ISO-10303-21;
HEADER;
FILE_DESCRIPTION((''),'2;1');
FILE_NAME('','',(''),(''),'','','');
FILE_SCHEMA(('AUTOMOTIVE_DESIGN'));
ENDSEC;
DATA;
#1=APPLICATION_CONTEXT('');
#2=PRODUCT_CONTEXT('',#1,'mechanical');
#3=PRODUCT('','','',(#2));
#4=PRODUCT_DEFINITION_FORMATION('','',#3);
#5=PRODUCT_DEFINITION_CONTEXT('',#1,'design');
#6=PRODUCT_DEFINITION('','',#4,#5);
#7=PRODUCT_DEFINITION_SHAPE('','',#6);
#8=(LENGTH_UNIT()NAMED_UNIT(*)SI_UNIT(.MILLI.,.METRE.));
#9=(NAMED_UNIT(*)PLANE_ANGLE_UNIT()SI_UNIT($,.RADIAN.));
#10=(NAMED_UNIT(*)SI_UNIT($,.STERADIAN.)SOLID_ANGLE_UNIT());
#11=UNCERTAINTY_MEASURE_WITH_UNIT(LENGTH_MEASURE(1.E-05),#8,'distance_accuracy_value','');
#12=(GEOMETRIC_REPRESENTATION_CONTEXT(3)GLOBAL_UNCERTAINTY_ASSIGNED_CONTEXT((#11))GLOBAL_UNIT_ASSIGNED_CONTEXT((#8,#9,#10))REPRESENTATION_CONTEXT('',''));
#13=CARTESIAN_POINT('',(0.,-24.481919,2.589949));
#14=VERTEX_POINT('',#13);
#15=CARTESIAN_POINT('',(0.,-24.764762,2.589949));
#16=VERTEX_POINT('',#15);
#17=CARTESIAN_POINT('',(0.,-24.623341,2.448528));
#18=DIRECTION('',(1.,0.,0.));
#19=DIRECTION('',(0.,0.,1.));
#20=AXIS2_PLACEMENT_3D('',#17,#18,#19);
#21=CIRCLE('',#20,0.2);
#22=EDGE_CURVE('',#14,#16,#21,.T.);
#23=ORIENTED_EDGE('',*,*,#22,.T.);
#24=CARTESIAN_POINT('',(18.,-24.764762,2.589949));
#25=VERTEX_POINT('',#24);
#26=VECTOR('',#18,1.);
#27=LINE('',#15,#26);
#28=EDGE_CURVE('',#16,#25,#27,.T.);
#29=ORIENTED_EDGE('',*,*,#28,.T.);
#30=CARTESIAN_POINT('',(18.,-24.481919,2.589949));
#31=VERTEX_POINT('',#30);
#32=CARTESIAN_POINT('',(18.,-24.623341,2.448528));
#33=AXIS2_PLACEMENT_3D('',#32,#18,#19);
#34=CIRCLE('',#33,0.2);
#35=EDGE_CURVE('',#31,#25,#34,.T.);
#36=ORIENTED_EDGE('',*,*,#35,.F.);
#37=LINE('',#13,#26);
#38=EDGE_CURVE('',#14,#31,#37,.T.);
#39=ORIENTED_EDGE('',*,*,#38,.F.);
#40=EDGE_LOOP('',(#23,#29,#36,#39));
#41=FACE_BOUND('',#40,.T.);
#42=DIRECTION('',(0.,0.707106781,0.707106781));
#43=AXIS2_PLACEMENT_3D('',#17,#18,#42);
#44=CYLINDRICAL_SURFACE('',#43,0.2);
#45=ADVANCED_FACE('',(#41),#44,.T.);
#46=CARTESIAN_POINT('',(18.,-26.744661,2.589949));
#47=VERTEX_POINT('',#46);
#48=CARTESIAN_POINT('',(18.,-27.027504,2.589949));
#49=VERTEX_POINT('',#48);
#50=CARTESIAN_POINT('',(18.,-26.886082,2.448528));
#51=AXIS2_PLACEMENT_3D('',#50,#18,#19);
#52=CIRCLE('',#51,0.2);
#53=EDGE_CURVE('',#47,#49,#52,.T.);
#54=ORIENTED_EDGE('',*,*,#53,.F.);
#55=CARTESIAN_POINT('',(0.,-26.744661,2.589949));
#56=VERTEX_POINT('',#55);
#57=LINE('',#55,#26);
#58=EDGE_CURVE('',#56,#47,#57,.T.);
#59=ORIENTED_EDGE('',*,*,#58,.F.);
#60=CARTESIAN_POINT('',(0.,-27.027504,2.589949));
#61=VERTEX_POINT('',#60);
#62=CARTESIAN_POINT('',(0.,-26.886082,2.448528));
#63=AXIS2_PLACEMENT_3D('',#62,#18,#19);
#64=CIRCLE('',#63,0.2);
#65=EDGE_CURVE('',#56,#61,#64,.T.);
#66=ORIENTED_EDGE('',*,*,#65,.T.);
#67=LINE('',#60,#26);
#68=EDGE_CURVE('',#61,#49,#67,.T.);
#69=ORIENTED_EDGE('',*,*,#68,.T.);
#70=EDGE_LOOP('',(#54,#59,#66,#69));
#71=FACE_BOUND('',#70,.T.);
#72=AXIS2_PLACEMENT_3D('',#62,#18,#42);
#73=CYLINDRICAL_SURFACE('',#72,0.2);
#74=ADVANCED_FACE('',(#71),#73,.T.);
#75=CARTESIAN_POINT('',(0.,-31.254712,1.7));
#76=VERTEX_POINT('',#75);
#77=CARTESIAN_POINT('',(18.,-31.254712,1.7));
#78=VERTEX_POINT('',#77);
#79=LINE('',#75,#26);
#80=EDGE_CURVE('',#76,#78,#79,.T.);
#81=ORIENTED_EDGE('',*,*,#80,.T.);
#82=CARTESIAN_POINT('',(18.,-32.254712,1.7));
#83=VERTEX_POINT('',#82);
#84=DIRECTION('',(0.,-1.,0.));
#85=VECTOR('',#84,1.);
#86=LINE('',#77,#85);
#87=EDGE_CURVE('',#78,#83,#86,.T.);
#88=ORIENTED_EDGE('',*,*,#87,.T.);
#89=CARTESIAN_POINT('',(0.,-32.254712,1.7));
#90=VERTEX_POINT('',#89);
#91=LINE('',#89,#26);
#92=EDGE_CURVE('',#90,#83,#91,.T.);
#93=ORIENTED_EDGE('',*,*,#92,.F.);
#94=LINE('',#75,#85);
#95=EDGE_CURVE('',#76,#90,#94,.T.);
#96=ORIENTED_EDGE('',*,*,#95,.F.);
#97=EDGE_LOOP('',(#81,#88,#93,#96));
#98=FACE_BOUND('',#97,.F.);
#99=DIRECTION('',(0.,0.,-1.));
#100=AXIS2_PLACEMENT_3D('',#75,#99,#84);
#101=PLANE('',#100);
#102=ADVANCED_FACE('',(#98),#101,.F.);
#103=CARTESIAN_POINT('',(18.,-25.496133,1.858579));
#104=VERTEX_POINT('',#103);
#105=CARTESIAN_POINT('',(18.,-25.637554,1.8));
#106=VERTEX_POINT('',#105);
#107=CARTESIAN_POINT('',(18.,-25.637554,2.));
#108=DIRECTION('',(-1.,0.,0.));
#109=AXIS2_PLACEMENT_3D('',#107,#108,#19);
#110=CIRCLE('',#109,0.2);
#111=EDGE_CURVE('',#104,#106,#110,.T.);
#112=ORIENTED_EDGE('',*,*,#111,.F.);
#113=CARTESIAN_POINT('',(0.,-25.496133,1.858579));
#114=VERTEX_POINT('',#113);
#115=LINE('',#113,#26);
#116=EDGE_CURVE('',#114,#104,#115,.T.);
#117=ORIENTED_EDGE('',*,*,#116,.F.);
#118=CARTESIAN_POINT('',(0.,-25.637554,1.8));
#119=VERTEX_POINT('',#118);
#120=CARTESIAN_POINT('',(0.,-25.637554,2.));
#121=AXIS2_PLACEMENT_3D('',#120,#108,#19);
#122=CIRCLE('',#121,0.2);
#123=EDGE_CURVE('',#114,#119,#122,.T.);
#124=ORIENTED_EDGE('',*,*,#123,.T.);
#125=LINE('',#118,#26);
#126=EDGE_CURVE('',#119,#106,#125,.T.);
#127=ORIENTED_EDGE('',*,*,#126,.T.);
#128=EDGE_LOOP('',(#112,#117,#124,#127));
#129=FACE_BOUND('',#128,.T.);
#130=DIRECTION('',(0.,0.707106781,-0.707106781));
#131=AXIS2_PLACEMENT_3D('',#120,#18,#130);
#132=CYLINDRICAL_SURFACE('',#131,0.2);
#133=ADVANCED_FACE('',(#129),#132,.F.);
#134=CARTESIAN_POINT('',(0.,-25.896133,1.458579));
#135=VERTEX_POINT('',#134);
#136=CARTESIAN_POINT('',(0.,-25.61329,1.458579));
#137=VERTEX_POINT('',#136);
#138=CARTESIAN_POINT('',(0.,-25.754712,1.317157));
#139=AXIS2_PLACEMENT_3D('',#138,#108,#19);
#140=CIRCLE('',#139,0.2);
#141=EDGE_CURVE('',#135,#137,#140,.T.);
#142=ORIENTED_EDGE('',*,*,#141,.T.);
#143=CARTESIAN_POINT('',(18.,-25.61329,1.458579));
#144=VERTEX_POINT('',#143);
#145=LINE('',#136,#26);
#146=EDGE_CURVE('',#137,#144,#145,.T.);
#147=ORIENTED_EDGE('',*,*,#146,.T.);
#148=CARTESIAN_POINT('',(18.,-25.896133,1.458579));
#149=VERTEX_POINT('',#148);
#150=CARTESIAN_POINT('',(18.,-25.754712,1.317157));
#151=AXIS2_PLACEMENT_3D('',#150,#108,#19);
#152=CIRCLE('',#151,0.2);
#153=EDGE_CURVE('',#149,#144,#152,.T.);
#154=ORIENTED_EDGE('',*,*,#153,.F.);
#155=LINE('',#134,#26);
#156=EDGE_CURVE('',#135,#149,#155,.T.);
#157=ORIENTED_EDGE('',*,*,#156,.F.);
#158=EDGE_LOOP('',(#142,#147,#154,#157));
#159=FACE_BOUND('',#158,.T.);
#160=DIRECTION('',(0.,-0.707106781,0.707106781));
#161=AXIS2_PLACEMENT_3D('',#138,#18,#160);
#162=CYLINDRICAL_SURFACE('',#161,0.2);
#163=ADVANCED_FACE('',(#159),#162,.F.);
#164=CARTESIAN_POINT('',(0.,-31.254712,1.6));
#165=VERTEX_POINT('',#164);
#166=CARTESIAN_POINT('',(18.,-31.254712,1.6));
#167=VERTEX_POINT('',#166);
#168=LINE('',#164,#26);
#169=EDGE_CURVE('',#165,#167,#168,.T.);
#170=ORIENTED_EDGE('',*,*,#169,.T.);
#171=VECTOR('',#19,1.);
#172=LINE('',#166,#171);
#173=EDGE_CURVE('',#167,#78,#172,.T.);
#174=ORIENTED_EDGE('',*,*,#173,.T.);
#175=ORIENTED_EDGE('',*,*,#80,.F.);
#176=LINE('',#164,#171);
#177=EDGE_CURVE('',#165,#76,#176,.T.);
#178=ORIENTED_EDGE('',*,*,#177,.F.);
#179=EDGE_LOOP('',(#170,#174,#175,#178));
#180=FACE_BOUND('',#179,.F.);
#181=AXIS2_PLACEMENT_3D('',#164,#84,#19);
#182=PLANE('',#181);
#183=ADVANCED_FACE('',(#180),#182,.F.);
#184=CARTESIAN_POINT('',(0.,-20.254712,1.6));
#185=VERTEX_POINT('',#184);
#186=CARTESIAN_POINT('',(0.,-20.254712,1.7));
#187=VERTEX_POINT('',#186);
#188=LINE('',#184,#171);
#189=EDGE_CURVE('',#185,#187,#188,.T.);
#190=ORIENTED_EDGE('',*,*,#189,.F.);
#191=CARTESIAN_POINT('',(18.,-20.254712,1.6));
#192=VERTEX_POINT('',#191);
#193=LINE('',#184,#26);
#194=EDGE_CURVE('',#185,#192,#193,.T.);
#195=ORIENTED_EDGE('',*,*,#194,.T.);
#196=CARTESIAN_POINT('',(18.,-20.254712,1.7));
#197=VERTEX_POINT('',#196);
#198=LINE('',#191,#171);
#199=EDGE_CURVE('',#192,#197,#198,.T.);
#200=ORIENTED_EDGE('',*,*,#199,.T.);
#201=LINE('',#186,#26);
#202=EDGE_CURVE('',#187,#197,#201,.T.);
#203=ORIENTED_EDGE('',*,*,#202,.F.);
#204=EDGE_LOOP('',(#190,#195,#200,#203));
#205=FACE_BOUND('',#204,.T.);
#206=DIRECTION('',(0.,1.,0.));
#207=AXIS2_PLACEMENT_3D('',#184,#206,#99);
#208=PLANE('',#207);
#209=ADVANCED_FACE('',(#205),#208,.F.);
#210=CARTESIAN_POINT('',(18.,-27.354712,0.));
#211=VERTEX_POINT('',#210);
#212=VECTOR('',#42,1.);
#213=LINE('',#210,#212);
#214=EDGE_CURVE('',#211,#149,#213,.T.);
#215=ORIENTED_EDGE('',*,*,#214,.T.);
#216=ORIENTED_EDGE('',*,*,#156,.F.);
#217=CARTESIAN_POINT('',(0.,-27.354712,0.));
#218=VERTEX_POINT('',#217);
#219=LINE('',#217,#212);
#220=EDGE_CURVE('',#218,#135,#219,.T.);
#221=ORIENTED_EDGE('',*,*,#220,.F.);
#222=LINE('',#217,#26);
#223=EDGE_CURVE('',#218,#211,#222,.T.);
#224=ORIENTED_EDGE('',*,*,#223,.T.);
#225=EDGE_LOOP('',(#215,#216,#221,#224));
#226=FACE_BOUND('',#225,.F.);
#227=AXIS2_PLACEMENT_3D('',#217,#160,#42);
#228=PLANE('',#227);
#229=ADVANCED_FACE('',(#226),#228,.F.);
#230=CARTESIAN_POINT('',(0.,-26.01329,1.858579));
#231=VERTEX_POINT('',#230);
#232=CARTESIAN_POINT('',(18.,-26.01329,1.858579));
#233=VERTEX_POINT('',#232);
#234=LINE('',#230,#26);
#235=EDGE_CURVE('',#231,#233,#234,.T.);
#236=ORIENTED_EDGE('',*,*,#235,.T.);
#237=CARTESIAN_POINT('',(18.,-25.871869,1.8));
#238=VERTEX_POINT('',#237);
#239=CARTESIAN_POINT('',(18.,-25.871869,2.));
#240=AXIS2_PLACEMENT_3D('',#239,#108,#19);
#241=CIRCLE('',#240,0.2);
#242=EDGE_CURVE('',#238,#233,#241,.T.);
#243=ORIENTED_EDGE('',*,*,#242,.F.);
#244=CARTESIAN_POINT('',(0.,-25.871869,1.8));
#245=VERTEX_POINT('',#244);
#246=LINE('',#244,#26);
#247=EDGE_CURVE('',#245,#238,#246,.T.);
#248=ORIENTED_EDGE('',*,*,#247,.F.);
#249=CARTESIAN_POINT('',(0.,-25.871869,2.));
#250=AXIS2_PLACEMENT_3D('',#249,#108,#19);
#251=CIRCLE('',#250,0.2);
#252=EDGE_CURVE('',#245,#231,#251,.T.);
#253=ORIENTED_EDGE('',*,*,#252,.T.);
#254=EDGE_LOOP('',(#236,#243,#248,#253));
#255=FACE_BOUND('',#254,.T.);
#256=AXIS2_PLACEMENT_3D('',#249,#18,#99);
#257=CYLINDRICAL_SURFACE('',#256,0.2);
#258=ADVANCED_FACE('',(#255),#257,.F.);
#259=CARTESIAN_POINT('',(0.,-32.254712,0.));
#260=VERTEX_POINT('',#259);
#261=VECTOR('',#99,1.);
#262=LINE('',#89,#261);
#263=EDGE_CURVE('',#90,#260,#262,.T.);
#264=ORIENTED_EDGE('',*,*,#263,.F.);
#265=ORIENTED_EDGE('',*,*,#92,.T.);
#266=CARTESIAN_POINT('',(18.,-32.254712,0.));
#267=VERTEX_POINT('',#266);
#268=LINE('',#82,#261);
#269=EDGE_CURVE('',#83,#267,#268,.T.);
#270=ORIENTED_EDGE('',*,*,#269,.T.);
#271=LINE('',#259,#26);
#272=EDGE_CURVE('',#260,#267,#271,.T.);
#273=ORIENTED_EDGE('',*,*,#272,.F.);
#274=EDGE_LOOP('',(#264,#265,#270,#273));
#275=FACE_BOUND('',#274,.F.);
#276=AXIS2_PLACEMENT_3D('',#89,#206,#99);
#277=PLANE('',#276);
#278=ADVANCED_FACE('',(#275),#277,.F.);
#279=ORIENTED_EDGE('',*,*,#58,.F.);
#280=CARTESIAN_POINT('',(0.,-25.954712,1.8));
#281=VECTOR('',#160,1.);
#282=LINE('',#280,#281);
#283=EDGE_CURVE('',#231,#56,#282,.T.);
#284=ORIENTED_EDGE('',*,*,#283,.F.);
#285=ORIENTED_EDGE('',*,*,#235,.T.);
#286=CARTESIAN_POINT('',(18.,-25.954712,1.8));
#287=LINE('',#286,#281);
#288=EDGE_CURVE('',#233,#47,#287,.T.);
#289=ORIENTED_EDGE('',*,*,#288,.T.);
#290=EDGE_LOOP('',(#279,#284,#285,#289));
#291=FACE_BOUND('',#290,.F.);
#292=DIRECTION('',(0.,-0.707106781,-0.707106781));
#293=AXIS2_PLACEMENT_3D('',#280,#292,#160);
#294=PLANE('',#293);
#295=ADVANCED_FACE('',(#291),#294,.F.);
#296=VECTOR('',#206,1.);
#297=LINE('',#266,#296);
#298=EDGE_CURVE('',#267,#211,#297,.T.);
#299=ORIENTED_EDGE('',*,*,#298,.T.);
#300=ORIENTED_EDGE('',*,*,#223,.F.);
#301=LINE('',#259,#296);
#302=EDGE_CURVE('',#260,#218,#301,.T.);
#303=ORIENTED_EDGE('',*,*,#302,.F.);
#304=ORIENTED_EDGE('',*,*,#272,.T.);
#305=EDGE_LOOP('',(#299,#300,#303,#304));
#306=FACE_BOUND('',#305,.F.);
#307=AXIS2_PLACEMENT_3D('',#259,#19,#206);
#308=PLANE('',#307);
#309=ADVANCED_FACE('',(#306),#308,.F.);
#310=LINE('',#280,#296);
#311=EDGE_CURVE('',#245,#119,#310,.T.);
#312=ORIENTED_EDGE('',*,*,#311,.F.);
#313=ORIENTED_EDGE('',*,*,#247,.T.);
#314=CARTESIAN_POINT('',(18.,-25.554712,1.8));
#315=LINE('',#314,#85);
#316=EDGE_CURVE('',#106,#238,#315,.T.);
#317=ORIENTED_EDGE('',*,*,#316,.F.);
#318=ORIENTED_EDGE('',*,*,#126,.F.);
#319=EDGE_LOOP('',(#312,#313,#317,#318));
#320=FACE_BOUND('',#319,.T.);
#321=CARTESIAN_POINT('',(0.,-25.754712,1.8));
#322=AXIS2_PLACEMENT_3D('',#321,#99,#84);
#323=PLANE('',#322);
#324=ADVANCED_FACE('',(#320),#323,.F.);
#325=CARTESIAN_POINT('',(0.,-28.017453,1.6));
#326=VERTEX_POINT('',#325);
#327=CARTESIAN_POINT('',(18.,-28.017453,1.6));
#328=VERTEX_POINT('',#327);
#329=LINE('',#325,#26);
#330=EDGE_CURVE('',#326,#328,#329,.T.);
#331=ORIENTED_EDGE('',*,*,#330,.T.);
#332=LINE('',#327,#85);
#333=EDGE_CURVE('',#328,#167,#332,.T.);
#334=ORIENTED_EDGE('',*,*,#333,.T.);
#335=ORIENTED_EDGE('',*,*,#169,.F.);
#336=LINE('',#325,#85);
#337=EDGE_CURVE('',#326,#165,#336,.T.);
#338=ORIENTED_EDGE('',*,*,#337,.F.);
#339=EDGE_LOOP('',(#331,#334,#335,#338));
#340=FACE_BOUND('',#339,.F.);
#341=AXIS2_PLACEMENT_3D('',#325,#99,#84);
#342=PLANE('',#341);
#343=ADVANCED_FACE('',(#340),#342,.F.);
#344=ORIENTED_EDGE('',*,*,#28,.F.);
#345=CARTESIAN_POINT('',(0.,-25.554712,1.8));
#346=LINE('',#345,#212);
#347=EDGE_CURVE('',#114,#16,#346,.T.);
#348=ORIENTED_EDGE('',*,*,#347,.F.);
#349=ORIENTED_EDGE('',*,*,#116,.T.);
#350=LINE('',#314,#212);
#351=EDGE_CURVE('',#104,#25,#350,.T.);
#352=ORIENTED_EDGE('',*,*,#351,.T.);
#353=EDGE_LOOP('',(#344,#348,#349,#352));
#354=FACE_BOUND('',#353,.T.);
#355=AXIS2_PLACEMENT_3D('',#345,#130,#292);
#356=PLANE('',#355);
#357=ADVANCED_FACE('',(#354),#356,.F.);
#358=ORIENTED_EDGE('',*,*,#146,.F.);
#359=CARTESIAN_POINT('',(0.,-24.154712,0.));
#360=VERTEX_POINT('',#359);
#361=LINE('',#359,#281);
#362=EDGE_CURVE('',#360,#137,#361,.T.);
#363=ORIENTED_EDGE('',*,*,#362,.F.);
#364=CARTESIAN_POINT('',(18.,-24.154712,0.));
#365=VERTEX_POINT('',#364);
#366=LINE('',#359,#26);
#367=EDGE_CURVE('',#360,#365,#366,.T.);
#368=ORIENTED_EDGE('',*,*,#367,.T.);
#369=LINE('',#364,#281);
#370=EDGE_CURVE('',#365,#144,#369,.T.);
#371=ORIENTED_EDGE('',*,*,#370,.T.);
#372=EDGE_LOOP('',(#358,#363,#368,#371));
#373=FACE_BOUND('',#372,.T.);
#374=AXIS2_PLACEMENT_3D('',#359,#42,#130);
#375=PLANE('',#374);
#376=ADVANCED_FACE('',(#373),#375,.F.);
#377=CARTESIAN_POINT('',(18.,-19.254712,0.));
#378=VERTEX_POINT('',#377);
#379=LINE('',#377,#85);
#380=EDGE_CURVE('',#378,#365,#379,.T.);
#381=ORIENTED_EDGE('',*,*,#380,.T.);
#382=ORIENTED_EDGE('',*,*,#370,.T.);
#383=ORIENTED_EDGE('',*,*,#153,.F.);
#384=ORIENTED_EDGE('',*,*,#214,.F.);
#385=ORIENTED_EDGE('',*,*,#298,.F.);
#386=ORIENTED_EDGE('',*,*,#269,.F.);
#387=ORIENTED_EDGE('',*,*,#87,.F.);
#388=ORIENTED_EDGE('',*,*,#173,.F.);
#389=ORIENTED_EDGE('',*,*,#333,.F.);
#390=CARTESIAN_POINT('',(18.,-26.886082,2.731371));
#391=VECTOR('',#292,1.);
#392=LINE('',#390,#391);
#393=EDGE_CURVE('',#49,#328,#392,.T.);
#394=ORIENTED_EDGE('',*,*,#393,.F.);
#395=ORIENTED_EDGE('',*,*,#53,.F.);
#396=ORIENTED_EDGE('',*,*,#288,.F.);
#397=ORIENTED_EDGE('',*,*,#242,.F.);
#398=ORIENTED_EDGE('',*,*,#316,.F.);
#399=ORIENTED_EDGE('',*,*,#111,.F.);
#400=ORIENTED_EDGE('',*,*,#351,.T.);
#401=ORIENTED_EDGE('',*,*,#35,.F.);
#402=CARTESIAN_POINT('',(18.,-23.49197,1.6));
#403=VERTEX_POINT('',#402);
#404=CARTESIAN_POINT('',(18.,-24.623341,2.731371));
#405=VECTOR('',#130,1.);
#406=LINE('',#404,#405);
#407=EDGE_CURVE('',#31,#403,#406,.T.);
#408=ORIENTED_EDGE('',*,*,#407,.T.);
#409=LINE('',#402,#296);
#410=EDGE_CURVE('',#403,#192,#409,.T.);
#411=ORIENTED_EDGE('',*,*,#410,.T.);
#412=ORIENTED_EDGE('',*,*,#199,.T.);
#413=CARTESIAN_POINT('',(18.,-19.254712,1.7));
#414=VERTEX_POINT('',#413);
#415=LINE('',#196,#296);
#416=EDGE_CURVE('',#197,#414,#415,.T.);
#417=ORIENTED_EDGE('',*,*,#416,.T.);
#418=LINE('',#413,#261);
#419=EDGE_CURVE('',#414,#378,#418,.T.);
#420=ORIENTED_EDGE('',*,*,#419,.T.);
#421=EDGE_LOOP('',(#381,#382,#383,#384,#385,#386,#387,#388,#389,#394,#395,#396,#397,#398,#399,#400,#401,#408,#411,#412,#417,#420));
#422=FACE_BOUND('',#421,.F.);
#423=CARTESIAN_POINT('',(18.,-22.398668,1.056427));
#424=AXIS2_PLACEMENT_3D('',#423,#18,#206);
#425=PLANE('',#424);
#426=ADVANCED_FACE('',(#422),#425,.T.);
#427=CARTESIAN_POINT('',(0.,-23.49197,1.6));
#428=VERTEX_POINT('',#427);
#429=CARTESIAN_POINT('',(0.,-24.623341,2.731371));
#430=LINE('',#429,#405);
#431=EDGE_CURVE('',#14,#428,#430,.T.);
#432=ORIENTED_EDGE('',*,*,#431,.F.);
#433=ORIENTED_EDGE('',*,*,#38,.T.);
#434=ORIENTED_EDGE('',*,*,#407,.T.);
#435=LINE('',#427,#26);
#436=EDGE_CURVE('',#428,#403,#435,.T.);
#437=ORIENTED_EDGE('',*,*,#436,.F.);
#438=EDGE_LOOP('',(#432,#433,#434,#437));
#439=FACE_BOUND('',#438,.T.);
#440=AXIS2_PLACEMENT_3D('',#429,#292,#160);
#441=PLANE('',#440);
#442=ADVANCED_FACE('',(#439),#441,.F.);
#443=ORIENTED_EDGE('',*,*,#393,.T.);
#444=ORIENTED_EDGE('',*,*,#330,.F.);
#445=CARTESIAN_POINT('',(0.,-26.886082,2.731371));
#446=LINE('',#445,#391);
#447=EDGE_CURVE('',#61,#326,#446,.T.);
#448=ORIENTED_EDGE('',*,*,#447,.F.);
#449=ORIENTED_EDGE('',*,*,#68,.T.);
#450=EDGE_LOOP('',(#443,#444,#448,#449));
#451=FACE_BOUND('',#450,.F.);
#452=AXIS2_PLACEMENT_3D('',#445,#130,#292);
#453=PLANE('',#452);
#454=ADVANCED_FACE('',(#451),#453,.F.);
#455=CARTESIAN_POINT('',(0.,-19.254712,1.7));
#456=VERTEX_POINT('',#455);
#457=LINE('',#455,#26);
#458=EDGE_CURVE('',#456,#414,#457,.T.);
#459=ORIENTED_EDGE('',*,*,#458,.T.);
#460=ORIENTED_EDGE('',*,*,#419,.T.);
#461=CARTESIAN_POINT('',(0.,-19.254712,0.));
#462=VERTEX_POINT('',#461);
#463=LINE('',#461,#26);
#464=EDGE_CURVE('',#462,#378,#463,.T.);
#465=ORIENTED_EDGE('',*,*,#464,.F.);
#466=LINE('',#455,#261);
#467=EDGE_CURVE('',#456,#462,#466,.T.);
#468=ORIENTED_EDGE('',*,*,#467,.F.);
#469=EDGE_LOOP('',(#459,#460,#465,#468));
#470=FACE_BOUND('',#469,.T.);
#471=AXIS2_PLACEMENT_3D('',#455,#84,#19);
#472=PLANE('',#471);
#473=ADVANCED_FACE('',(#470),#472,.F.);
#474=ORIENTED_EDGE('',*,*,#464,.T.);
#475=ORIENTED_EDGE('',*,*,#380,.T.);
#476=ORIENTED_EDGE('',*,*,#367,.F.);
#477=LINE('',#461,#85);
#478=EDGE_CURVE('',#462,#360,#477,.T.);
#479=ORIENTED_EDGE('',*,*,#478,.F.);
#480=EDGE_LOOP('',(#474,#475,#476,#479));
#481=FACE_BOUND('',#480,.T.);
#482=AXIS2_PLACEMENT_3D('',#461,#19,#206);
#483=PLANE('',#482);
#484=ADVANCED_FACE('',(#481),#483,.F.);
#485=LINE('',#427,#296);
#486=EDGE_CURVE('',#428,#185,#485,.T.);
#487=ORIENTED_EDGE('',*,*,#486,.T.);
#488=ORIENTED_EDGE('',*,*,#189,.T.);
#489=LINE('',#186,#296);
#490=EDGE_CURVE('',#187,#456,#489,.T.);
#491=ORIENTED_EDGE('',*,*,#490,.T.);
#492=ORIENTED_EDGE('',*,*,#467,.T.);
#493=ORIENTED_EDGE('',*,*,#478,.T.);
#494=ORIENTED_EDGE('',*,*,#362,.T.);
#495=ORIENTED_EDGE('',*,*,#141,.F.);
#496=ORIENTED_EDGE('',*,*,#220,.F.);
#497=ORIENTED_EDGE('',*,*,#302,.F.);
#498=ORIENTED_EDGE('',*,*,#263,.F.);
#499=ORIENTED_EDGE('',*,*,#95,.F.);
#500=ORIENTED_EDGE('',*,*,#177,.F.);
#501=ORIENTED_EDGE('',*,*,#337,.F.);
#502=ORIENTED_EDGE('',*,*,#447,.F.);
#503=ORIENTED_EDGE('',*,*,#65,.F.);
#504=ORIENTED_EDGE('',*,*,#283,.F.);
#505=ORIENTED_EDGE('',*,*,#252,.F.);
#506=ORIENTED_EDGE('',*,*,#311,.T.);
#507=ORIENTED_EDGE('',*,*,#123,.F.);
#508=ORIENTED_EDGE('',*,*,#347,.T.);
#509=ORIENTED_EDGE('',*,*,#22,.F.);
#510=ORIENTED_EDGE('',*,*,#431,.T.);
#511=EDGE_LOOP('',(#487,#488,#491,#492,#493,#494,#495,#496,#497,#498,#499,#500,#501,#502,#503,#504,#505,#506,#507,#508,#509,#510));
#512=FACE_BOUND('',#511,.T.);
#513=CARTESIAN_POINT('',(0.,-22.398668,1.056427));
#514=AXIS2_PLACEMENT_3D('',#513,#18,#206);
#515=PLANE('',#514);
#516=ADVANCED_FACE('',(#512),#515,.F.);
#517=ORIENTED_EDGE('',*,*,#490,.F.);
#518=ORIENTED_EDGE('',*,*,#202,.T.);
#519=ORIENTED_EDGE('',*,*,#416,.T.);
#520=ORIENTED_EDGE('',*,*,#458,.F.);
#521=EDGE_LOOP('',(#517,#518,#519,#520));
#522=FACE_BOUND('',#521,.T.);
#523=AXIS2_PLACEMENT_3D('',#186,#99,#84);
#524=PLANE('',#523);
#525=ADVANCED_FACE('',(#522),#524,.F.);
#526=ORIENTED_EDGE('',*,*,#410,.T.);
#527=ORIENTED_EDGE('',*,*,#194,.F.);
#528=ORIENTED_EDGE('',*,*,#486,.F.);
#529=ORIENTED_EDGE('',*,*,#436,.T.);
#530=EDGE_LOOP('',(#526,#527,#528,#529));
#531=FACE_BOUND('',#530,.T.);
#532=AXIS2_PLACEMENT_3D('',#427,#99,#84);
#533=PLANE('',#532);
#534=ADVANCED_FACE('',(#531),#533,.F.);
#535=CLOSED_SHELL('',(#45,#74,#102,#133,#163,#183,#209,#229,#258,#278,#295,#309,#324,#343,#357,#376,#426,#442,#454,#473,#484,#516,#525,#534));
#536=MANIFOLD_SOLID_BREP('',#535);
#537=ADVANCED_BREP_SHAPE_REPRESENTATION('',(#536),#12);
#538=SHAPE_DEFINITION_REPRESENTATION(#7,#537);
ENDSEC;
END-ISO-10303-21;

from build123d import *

# Parameters (mm, degrees)
F1_DEPTH = 18
F5_R     = 0.2


with BuildPart() as f1:
    # F0 (on Right) → F1 (new body)
    with BuildSketch(Plane.YZ):
        Polygon((-32.2547115611, 1.6), (-32.2547115611, 0), (-27.3547115611, 0), (-25.7547115611, 1.6), (-25.7547115611, 1.8), (-25.9547115611, 1.8), (-26.886082411, 2.7313708499), (-28.0174532609, 1.6), (-31.2547115611, 1.6), (-31.2547115611, 1.7), (-32.2547115611, 1.7), align=None)
    extrude(amount=F1_DEPTH)

    # F4: F1 across plane


with BuildPart() as f1_1:
    add(f1.part)
    add(f1.part.mirror(Plane.XZ.offset(25.7547115611)))

    # F5
    f5_edges = [f1_1.edges().sort_by_distance(p)[0] for p in [
        (9, -25.554712, 1.8),
        (9, -25.954712, 1.8),
        (9, -25.754712, 1.6),
        (9, -24.623341, 2.731371),
        (9, -26.886082, 2.731371),
    ]]
    fillet(f5_edges, radius=F5_R)


solid = f1_1.part
